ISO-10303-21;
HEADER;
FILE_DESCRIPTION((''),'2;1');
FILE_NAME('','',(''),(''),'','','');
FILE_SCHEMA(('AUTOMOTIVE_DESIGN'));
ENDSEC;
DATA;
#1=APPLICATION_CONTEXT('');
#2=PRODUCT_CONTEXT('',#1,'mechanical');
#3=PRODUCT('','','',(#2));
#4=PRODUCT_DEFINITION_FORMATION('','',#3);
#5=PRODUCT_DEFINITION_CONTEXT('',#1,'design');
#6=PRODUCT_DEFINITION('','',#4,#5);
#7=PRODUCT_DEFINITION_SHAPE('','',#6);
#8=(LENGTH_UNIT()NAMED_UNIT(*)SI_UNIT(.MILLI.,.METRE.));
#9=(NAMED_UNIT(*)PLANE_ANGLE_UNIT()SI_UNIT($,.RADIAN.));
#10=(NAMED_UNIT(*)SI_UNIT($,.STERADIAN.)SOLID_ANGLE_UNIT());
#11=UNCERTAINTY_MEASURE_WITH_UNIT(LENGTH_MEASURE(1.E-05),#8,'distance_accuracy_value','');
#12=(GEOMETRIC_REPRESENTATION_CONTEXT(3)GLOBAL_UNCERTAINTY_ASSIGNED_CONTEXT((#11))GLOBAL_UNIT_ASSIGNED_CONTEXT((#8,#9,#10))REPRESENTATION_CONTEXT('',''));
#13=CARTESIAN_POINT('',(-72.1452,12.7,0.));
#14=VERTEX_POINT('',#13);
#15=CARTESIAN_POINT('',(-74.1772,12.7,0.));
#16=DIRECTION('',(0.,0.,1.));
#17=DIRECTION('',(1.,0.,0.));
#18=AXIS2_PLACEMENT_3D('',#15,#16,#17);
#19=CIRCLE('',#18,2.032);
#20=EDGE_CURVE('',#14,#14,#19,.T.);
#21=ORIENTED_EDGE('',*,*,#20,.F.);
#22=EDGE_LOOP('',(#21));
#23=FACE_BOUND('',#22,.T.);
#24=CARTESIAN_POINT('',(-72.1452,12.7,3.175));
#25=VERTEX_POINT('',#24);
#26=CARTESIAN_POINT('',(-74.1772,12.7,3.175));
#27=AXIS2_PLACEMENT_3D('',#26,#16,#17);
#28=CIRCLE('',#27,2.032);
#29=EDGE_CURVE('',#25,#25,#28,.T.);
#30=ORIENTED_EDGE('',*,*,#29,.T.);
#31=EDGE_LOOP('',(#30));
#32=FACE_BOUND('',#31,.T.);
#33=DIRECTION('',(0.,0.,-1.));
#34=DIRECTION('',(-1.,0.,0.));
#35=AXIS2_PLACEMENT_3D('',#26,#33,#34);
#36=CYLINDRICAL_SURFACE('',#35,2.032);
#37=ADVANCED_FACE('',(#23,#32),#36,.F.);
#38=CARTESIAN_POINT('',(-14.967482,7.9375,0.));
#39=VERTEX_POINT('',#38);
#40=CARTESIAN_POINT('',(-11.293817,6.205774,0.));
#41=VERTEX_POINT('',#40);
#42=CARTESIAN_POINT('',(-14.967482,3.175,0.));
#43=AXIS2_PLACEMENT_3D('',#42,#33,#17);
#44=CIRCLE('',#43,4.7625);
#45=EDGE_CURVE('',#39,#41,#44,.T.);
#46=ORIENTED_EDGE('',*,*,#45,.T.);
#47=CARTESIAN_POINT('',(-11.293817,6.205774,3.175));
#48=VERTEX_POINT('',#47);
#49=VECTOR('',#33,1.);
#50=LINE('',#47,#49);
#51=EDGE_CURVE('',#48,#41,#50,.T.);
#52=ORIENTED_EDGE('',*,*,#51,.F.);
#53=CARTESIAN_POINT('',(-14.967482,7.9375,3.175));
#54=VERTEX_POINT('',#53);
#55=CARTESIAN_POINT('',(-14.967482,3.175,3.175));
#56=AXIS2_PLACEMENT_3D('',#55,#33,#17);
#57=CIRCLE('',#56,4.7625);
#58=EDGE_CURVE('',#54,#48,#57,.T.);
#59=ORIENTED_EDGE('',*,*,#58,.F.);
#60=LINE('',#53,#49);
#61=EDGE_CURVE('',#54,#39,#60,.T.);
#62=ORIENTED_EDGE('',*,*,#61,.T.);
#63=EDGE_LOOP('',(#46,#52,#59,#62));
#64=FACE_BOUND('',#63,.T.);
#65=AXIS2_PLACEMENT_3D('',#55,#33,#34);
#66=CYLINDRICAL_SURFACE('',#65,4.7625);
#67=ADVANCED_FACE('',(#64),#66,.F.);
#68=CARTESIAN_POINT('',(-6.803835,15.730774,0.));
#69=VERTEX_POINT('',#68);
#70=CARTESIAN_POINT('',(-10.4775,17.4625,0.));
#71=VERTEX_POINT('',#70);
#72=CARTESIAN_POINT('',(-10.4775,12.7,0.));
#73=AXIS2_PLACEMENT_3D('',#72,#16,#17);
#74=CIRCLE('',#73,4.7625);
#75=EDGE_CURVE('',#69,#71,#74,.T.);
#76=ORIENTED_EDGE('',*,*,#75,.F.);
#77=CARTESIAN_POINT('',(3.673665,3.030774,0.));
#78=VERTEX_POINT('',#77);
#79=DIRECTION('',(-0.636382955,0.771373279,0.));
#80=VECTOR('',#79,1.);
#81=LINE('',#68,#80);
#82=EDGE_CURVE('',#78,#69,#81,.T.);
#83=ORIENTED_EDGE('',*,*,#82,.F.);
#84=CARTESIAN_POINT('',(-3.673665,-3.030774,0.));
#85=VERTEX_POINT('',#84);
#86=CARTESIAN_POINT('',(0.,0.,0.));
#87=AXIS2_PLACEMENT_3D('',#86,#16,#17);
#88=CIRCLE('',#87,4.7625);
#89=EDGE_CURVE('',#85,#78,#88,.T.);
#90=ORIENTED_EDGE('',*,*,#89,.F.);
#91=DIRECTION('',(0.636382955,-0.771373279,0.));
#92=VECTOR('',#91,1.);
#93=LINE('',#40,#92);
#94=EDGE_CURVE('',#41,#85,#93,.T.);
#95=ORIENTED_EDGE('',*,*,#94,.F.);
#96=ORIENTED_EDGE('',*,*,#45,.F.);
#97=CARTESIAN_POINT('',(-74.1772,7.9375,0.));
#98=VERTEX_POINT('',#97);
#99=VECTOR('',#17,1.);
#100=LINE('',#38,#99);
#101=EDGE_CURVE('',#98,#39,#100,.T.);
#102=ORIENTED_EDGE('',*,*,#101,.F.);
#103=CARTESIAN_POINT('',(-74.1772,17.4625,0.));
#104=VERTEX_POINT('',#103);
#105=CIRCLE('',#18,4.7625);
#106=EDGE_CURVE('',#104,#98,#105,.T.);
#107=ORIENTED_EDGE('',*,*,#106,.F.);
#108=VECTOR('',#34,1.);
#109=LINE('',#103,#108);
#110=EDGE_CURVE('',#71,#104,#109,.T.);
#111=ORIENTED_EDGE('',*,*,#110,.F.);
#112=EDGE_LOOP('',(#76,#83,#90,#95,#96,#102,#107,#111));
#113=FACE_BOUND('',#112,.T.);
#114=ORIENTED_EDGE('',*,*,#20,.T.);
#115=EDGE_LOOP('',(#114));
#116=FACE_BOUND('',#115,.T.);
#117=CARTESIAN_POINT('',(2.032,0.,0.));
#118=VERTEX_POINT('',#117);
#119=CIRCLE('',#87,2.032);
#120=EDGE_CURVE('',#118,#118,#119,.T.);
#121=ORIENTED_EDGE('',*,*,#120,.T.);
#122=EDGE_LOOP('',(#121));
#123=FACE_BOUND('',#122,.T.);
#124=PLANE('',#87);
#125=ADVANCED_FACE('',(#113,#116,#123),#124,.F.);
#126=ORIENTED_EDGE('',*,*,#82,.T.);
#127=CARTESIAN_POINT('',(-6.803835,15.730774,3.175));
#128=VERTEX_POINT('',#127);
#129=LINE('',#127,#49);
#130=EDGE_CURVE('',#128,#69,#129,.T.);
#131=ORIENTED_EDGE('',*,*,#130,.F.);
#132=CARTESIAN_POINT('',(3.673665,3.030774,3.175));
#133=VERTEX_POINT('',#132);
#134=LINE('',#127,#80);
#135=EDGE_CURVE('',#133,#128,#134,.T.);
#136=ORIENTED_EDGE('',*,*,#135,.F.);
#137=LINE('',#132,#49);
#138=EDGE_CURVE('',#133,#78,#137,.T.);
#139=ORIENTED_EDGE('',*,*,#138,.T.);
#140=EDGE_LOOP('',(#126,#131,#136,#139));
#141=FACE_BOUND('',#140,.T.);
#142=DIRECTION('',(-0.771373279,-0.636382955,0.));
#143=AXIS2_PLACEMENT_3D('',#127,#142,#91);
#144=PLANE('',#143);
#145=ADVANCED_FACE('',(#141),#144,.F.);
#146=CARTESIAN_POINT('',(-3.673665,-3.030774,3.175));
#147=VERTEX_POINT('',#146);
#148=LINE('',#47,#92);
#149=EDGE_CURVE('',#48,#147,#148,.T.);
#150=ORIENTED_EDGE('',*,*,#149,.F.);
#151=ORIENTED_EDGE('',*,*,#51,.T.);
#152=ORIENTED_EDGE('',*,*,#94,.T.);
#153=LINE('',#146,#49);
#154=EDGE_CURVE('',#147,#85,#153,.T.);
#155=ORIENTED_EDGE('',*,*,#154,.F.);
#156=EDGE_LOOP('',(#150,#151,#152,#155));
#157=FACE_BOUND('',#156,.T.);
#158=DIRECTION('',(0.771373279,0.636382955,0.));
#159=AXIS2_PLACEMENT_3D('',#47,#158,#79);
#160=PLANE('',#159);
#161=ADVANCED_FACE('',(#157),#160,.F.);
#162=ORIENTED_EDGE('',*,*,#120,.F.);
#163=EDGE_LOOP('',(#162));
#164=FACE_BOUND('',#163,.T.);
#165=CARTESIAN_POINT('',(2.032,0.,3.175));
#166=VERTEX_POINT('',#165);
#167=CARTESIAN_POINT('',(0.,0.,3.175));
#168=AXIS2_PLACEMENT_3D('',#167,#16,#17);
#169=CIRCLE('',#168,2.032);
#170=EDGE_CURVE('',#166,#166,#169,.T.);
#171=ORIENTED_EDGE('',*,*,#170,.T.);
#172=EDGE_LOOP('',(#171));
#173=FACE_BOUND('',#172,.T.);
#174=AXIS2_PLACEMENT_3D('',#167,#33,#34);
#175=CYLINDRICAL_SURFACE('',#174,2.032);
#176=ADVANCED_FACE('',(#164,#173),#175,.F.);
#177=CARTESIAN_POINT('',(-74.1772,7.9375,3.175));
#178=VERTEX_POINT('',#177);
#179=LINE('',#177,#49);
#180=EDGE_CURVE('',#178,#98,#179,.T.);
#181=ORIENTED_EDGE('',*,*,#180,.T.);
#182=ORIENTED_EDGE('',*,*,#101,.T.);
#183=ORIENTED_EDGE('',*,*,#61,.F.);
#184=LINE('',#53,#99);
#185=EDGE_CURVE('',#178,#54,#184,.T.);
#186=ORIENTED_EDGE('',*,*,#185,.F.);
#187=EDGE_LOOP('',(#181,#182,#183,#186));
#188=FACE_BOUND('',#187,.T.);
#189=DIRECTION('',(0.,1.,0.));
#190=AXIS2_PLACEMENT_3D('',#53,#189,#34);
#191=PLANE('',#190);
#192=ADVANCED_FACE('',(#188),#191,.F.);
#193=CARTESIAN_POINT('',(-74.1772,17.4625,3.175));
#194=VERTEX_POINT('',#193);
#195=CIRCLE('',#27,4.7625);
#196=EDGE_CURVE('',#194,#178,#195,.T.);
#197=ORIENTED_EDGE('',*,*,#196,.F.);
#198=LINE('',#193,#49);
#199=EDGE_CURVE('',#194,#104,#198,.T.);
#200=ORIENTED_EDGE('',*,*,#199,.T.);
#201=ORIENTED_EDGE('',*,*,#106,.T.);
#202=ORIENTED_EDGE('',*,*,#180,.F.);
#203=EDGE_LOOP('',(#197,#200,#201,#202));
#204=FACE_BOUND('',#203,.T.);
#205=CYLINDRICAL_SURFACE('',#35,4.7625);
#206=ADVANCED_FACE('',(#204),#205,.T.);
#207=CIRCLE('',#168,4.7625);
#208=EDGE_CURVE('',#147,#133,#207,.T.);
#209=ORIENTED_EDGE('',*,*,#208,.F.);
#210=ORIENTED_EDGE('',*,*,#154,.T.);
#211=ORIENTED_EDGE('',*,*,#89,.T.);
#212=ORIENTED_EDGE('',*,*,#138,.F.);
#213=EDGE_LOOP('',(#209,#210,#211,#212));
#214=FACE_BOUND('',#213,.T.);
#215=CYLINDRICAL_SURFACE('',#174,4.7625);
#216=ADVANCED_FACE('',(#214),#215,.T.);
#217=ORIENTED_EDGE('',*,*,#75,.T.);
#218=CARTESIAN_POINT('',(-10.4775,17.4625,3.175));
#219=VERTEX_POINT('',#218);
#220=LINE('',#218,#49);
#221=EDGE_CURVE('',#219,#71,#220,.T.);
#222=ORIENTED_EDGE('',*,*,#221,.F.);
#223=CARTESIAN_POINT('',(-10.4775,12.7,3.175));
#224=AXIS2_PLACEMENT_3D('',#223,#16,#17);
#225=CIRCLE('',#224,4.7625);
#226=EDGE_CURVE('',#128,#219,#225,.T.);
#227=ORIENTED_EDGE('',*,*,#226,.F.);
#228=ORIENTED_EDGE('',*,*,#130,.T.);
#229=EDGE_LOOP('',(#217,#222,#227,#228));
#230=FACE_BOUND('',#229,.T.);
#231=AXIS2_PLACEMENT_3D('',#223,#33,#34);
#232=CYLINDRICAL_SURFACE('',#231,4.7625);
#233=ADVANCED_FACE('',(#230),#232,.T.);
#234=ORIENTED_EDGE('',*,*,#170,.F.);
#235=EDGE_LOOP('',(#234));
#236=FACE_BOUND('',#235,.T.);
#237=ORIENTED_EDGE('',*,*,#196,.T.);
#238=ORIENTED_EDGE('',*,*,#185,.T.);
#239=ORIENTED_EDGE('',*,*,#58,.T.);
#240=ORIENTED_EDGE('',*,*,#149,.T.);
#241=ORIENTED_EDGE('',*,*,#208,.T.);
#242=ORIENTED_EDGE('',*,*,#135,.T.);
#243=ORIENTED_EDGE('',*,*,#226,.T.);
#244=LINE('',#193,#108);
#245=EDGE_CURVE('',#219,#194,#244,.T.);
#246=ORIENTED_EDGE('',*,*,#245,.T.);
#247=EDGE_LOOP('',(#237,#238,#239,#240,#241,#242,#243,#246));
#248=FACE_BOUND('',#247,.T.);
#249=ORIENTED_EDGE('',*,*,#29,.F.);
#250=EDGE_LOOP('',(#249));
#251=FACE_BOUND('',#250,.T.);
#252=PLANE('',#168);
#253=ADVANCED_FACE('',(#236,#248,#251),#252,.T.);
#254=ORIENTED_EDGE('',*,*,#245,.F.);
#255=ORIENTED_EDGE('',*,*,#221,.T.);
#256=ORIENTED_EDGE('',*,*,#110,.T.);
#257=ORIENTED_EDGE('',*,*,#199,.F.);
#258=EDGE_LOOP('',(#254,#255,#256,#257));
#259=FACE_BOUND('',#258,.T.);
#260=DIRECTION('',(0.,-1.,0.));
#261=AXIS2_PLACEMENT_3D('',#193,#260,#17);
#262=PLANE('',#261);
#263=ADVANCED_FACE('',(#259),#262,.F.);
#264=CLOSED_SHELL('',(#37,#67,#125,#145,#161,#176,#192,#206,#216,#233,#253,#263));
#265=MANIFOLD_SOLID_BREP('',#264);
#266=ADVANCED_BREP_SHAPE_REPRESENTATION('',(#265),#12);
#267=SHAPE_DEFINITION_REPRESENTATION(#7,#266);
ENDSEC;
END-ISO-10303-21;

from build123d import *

# Parameters (mm, degrees)
SKETCH1_R           = 2.032
BOSS_EXTRUDE1_DEPTH = 3.175


with BuildPart() as part:
    # Sketch1 → Boss-Extrude1 (new body)
    with BuildSketch(Plane.XY):
        with BuildLine():
            Line((-74.177200143, 17.4625), (-10.4775, 17.4625))
            ThreePointArc((-10.4775, 17.4625), (-8.44681712, 17.007868764), (-6.803834761, 15.730773822))
            Line((-6.803834761, 15.730773822), (3.673665239, 3.030773822))
            ThreePointArc((3.673665239, 3.030773822), (3.030773822, -3.673665239), (-3.673665239, -3.030773822))
            Line((-3.673665239, -3.030773822), (-11.293817046, 6.205773822))
            ThreePointArc((-11.293817046, 6.205773822), (-12.936799404, 7.482868764), (-14.967482285, 7.9375))
            Line((-14.967482285, 7.9375), (-74.177200143, 7.9375))
            ThreePointArc((-74.177200143, 7.9375), (-78.939700143, 12.7), (-74.177200143, 17.4625))
        make_face()
        Circle(SKETCH1_R, mode=Mode.SUBTRACT)
        with Locations((-74.177200143, 12.7)):
            Circle(SKETCH1_R, mode=Mode.SUBTRACT)
    extrude(amount=BOSS_EXTRUDE1_DEPTH)


solid = part.part
